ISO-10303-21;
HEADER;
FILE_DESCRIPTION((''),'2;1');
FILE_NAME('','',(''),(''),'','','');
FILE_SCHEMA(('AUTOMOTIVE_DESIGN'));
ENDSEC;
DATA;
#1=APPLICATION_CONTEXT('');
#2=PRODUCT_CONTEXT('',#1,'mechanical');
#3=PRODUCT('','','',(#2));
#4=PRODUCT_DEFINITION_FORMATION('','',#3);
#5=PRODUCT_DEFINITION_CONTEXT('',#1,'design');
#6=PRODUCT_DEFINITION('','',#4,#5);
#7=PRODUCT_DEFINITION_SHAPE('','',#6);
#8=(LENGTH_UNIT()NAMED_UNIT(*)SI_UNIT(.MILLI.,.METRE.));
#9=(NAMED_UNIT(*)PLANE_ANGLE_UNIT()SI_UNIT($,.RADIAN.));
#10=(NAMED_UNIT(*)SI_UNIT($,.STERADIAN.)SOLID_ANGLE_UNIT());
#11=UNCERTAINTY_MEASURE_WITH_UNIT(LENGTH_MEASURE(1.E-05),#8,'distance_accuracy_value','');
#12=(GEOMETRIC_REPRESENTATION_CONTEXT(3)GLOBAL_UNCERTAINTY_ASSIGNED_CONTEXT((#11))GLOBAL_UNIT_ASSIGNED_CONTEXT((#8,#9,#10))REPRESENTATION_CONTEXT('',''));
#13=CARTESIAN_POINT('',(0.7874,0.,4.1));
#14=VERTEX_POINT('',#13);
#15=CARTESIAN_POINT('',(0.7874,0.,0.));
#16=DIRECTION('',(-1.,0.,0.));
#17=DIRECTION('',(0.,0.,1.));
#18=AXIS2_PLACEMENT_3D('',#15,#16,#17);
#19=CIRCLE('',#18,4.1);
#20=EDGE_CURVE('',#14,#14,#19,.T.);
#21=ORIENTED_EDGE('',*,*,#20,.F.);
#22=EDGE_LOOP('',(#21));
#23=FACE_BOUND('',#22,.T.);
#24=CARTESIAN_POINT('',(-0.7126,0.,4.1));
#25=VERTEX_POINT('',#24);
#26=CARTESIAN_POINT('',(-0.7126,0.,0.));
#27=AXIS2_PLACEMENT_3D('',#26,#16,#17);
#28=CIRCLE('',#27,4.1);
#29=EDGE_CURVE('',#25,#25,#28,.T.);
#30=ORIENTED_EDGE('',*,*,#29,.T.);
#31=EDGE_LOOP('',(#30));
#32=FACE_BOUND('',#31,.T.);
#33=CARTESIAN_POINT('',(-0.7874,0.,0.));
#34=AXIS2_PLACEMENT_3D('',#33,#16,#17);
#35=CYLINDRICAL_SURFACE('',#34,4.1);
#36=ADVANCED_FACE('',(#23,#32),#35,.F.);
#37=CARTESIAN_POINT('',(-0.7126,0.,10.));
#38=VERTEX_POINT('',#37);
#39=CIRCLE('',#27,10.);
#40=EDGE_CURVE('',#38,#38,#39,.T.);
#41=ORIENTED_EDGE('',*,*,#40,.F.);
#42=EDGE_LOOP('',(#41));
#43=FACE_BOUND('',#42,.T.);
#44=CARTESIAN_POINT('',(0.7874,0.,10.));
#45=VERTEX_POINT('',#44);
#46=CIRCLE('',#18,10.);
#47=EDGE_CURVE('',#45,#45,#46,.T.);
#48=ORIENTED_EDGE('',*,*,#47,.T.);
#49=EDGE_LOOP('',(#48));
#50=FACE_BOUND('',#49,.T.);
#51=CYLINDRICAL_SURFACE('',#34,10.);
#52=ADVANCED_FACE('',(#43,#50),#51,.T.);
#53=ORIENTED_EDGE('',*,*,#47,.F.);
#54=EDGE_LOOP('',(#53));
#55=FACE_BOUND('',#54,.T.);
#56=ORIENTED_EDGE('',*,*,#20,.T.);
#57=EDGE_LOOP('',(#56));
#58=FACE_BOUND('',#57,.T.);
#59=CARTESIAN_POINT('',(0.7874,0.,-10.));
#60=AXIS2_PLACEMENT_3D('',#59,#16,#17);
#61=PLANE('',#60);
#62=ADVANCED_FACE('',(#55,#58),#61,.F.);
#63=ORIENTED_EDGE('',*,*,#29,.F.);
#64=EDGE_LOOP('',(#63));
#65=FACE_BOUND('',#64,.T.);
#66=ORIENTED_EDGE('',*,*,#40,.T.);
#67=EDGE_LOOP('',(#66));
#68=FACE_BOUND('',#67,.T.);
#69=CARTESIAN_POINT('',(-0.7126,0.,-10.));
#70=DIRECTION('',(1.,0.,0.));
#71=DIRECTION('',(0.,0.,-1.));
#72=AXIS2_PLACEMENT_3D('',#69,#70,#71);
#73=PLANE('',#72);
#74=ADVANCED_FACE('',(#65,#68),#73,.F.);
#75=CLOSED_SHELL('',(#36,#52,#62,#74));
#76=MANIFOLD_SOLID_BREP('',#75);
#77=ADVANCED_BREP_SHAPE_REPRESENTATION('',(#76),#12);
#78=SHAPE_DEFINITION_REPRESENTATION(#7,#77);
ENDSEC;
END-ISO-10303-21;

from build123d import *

# Parameters (mm, degrees)
SKETCH1_W = 1.5
SKETCH1_H = 5.9


with BuildPart() as part:
    # Sketch1 → Revolve1 (revolve)
    with BuildSketch(Plane(origin=(0, 0, 0), x_dir=(1, 0, 0), z_dir=(0, 1, 0)), mode=Mode.PRIVATE) as revolve1_sk:
        with Locations((0.0374, 7.05)):
            Rectangle(SKETCH1_W, SKETCH1_H)
    revolve(revolve1_sk.sketch.rotate(Axis((-0.7874, 0, 0), (1, 0, 0)), 180), axis=Axis((-0.7874, 0, 0), (1, 0, 0)))


solid = part.part
